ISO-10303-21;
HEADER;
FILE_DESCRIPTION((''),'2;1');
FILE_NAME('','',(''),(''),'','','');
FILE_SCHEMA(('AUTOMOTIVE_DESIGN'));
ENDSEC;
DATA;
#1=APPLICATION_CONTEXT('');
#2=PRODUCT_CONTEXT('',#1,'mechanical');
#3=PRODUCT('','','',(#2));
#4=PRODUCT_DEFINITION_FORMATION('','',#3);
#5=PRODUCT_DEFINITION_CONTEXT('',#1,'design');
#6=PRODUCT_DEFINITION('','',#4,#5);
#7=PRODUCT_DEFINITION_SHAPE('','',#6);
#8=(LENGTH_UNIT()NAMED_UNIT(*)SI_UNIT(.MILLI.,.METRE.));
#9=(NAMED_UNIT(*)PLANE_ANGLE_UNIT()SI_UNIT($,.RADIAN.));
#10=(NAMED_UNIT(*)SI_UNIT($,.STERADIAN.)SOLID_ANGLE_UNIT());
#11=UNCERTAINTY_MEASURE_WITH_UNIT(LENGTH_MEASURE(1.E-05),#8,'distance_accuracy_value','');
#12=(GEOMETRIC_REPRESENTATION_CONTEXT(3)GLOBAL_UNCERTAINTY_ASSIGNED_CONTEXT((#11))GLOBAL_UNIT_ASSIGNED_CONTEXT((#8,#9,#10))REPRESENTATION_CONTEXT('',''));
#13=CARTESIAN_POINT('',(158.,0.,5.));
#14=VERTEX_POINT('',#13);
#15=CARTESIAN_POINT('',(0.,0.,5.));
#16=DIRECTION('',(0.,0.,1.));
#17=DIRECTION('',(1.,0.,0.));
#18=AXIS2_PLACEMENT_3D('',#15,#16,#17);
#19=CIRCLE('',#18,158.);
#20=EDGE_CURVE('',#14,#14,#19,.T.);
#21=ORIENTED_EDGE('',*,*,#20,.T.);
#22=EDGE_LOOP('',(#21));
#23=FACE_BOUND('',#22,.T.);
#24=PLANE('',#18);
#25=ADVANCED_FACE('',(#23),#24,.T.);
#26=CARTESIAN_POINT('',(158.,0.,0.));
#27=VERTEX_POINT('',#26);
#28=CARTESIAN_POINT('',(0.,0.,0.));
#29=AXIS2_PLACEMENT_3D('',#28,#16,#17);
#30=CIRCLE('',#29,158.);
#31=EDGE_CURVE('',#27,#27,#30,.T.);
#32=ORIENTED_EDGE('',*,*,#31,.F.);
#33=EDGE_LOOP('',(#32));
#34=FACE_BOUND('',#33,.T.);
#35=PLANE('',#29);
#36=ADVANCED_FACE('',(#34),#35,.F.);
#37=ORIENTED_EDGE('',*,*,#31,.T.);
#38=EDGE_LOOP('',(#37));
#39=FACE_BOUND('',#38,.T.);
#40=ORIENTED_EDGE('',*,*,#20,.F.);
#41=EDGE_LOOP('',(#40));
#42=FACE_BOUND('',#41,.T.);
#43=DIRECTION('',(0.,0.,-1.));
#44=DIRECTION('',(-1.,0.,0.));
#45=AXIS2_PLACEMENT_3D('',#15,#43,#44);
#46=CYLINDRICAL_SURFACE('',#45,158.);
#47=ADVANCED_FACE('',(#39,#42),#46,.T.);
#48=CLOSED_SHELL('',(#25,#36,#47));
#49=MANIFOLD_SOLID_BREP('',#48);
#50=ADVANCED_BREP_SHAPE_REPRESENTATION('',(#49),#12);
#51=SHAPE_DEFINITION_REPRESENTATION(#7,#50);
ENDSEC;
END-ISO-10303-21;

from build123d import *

# Parameters (mm, degrees)
END_LID_PROFILE_R      = 158
END_LID_DISC_5MM_DEPTH = 5


with BuildPart() as part:
    # End_Lid_Profile → End_Lid_Disc_5mm (new body)
    with BuildSketch(Plane.XY):
        Circle(END_LID_PROFILE_R)
    extrude(amount=END_LID_DISC_5MM_DEPTH)


solid = part.part
